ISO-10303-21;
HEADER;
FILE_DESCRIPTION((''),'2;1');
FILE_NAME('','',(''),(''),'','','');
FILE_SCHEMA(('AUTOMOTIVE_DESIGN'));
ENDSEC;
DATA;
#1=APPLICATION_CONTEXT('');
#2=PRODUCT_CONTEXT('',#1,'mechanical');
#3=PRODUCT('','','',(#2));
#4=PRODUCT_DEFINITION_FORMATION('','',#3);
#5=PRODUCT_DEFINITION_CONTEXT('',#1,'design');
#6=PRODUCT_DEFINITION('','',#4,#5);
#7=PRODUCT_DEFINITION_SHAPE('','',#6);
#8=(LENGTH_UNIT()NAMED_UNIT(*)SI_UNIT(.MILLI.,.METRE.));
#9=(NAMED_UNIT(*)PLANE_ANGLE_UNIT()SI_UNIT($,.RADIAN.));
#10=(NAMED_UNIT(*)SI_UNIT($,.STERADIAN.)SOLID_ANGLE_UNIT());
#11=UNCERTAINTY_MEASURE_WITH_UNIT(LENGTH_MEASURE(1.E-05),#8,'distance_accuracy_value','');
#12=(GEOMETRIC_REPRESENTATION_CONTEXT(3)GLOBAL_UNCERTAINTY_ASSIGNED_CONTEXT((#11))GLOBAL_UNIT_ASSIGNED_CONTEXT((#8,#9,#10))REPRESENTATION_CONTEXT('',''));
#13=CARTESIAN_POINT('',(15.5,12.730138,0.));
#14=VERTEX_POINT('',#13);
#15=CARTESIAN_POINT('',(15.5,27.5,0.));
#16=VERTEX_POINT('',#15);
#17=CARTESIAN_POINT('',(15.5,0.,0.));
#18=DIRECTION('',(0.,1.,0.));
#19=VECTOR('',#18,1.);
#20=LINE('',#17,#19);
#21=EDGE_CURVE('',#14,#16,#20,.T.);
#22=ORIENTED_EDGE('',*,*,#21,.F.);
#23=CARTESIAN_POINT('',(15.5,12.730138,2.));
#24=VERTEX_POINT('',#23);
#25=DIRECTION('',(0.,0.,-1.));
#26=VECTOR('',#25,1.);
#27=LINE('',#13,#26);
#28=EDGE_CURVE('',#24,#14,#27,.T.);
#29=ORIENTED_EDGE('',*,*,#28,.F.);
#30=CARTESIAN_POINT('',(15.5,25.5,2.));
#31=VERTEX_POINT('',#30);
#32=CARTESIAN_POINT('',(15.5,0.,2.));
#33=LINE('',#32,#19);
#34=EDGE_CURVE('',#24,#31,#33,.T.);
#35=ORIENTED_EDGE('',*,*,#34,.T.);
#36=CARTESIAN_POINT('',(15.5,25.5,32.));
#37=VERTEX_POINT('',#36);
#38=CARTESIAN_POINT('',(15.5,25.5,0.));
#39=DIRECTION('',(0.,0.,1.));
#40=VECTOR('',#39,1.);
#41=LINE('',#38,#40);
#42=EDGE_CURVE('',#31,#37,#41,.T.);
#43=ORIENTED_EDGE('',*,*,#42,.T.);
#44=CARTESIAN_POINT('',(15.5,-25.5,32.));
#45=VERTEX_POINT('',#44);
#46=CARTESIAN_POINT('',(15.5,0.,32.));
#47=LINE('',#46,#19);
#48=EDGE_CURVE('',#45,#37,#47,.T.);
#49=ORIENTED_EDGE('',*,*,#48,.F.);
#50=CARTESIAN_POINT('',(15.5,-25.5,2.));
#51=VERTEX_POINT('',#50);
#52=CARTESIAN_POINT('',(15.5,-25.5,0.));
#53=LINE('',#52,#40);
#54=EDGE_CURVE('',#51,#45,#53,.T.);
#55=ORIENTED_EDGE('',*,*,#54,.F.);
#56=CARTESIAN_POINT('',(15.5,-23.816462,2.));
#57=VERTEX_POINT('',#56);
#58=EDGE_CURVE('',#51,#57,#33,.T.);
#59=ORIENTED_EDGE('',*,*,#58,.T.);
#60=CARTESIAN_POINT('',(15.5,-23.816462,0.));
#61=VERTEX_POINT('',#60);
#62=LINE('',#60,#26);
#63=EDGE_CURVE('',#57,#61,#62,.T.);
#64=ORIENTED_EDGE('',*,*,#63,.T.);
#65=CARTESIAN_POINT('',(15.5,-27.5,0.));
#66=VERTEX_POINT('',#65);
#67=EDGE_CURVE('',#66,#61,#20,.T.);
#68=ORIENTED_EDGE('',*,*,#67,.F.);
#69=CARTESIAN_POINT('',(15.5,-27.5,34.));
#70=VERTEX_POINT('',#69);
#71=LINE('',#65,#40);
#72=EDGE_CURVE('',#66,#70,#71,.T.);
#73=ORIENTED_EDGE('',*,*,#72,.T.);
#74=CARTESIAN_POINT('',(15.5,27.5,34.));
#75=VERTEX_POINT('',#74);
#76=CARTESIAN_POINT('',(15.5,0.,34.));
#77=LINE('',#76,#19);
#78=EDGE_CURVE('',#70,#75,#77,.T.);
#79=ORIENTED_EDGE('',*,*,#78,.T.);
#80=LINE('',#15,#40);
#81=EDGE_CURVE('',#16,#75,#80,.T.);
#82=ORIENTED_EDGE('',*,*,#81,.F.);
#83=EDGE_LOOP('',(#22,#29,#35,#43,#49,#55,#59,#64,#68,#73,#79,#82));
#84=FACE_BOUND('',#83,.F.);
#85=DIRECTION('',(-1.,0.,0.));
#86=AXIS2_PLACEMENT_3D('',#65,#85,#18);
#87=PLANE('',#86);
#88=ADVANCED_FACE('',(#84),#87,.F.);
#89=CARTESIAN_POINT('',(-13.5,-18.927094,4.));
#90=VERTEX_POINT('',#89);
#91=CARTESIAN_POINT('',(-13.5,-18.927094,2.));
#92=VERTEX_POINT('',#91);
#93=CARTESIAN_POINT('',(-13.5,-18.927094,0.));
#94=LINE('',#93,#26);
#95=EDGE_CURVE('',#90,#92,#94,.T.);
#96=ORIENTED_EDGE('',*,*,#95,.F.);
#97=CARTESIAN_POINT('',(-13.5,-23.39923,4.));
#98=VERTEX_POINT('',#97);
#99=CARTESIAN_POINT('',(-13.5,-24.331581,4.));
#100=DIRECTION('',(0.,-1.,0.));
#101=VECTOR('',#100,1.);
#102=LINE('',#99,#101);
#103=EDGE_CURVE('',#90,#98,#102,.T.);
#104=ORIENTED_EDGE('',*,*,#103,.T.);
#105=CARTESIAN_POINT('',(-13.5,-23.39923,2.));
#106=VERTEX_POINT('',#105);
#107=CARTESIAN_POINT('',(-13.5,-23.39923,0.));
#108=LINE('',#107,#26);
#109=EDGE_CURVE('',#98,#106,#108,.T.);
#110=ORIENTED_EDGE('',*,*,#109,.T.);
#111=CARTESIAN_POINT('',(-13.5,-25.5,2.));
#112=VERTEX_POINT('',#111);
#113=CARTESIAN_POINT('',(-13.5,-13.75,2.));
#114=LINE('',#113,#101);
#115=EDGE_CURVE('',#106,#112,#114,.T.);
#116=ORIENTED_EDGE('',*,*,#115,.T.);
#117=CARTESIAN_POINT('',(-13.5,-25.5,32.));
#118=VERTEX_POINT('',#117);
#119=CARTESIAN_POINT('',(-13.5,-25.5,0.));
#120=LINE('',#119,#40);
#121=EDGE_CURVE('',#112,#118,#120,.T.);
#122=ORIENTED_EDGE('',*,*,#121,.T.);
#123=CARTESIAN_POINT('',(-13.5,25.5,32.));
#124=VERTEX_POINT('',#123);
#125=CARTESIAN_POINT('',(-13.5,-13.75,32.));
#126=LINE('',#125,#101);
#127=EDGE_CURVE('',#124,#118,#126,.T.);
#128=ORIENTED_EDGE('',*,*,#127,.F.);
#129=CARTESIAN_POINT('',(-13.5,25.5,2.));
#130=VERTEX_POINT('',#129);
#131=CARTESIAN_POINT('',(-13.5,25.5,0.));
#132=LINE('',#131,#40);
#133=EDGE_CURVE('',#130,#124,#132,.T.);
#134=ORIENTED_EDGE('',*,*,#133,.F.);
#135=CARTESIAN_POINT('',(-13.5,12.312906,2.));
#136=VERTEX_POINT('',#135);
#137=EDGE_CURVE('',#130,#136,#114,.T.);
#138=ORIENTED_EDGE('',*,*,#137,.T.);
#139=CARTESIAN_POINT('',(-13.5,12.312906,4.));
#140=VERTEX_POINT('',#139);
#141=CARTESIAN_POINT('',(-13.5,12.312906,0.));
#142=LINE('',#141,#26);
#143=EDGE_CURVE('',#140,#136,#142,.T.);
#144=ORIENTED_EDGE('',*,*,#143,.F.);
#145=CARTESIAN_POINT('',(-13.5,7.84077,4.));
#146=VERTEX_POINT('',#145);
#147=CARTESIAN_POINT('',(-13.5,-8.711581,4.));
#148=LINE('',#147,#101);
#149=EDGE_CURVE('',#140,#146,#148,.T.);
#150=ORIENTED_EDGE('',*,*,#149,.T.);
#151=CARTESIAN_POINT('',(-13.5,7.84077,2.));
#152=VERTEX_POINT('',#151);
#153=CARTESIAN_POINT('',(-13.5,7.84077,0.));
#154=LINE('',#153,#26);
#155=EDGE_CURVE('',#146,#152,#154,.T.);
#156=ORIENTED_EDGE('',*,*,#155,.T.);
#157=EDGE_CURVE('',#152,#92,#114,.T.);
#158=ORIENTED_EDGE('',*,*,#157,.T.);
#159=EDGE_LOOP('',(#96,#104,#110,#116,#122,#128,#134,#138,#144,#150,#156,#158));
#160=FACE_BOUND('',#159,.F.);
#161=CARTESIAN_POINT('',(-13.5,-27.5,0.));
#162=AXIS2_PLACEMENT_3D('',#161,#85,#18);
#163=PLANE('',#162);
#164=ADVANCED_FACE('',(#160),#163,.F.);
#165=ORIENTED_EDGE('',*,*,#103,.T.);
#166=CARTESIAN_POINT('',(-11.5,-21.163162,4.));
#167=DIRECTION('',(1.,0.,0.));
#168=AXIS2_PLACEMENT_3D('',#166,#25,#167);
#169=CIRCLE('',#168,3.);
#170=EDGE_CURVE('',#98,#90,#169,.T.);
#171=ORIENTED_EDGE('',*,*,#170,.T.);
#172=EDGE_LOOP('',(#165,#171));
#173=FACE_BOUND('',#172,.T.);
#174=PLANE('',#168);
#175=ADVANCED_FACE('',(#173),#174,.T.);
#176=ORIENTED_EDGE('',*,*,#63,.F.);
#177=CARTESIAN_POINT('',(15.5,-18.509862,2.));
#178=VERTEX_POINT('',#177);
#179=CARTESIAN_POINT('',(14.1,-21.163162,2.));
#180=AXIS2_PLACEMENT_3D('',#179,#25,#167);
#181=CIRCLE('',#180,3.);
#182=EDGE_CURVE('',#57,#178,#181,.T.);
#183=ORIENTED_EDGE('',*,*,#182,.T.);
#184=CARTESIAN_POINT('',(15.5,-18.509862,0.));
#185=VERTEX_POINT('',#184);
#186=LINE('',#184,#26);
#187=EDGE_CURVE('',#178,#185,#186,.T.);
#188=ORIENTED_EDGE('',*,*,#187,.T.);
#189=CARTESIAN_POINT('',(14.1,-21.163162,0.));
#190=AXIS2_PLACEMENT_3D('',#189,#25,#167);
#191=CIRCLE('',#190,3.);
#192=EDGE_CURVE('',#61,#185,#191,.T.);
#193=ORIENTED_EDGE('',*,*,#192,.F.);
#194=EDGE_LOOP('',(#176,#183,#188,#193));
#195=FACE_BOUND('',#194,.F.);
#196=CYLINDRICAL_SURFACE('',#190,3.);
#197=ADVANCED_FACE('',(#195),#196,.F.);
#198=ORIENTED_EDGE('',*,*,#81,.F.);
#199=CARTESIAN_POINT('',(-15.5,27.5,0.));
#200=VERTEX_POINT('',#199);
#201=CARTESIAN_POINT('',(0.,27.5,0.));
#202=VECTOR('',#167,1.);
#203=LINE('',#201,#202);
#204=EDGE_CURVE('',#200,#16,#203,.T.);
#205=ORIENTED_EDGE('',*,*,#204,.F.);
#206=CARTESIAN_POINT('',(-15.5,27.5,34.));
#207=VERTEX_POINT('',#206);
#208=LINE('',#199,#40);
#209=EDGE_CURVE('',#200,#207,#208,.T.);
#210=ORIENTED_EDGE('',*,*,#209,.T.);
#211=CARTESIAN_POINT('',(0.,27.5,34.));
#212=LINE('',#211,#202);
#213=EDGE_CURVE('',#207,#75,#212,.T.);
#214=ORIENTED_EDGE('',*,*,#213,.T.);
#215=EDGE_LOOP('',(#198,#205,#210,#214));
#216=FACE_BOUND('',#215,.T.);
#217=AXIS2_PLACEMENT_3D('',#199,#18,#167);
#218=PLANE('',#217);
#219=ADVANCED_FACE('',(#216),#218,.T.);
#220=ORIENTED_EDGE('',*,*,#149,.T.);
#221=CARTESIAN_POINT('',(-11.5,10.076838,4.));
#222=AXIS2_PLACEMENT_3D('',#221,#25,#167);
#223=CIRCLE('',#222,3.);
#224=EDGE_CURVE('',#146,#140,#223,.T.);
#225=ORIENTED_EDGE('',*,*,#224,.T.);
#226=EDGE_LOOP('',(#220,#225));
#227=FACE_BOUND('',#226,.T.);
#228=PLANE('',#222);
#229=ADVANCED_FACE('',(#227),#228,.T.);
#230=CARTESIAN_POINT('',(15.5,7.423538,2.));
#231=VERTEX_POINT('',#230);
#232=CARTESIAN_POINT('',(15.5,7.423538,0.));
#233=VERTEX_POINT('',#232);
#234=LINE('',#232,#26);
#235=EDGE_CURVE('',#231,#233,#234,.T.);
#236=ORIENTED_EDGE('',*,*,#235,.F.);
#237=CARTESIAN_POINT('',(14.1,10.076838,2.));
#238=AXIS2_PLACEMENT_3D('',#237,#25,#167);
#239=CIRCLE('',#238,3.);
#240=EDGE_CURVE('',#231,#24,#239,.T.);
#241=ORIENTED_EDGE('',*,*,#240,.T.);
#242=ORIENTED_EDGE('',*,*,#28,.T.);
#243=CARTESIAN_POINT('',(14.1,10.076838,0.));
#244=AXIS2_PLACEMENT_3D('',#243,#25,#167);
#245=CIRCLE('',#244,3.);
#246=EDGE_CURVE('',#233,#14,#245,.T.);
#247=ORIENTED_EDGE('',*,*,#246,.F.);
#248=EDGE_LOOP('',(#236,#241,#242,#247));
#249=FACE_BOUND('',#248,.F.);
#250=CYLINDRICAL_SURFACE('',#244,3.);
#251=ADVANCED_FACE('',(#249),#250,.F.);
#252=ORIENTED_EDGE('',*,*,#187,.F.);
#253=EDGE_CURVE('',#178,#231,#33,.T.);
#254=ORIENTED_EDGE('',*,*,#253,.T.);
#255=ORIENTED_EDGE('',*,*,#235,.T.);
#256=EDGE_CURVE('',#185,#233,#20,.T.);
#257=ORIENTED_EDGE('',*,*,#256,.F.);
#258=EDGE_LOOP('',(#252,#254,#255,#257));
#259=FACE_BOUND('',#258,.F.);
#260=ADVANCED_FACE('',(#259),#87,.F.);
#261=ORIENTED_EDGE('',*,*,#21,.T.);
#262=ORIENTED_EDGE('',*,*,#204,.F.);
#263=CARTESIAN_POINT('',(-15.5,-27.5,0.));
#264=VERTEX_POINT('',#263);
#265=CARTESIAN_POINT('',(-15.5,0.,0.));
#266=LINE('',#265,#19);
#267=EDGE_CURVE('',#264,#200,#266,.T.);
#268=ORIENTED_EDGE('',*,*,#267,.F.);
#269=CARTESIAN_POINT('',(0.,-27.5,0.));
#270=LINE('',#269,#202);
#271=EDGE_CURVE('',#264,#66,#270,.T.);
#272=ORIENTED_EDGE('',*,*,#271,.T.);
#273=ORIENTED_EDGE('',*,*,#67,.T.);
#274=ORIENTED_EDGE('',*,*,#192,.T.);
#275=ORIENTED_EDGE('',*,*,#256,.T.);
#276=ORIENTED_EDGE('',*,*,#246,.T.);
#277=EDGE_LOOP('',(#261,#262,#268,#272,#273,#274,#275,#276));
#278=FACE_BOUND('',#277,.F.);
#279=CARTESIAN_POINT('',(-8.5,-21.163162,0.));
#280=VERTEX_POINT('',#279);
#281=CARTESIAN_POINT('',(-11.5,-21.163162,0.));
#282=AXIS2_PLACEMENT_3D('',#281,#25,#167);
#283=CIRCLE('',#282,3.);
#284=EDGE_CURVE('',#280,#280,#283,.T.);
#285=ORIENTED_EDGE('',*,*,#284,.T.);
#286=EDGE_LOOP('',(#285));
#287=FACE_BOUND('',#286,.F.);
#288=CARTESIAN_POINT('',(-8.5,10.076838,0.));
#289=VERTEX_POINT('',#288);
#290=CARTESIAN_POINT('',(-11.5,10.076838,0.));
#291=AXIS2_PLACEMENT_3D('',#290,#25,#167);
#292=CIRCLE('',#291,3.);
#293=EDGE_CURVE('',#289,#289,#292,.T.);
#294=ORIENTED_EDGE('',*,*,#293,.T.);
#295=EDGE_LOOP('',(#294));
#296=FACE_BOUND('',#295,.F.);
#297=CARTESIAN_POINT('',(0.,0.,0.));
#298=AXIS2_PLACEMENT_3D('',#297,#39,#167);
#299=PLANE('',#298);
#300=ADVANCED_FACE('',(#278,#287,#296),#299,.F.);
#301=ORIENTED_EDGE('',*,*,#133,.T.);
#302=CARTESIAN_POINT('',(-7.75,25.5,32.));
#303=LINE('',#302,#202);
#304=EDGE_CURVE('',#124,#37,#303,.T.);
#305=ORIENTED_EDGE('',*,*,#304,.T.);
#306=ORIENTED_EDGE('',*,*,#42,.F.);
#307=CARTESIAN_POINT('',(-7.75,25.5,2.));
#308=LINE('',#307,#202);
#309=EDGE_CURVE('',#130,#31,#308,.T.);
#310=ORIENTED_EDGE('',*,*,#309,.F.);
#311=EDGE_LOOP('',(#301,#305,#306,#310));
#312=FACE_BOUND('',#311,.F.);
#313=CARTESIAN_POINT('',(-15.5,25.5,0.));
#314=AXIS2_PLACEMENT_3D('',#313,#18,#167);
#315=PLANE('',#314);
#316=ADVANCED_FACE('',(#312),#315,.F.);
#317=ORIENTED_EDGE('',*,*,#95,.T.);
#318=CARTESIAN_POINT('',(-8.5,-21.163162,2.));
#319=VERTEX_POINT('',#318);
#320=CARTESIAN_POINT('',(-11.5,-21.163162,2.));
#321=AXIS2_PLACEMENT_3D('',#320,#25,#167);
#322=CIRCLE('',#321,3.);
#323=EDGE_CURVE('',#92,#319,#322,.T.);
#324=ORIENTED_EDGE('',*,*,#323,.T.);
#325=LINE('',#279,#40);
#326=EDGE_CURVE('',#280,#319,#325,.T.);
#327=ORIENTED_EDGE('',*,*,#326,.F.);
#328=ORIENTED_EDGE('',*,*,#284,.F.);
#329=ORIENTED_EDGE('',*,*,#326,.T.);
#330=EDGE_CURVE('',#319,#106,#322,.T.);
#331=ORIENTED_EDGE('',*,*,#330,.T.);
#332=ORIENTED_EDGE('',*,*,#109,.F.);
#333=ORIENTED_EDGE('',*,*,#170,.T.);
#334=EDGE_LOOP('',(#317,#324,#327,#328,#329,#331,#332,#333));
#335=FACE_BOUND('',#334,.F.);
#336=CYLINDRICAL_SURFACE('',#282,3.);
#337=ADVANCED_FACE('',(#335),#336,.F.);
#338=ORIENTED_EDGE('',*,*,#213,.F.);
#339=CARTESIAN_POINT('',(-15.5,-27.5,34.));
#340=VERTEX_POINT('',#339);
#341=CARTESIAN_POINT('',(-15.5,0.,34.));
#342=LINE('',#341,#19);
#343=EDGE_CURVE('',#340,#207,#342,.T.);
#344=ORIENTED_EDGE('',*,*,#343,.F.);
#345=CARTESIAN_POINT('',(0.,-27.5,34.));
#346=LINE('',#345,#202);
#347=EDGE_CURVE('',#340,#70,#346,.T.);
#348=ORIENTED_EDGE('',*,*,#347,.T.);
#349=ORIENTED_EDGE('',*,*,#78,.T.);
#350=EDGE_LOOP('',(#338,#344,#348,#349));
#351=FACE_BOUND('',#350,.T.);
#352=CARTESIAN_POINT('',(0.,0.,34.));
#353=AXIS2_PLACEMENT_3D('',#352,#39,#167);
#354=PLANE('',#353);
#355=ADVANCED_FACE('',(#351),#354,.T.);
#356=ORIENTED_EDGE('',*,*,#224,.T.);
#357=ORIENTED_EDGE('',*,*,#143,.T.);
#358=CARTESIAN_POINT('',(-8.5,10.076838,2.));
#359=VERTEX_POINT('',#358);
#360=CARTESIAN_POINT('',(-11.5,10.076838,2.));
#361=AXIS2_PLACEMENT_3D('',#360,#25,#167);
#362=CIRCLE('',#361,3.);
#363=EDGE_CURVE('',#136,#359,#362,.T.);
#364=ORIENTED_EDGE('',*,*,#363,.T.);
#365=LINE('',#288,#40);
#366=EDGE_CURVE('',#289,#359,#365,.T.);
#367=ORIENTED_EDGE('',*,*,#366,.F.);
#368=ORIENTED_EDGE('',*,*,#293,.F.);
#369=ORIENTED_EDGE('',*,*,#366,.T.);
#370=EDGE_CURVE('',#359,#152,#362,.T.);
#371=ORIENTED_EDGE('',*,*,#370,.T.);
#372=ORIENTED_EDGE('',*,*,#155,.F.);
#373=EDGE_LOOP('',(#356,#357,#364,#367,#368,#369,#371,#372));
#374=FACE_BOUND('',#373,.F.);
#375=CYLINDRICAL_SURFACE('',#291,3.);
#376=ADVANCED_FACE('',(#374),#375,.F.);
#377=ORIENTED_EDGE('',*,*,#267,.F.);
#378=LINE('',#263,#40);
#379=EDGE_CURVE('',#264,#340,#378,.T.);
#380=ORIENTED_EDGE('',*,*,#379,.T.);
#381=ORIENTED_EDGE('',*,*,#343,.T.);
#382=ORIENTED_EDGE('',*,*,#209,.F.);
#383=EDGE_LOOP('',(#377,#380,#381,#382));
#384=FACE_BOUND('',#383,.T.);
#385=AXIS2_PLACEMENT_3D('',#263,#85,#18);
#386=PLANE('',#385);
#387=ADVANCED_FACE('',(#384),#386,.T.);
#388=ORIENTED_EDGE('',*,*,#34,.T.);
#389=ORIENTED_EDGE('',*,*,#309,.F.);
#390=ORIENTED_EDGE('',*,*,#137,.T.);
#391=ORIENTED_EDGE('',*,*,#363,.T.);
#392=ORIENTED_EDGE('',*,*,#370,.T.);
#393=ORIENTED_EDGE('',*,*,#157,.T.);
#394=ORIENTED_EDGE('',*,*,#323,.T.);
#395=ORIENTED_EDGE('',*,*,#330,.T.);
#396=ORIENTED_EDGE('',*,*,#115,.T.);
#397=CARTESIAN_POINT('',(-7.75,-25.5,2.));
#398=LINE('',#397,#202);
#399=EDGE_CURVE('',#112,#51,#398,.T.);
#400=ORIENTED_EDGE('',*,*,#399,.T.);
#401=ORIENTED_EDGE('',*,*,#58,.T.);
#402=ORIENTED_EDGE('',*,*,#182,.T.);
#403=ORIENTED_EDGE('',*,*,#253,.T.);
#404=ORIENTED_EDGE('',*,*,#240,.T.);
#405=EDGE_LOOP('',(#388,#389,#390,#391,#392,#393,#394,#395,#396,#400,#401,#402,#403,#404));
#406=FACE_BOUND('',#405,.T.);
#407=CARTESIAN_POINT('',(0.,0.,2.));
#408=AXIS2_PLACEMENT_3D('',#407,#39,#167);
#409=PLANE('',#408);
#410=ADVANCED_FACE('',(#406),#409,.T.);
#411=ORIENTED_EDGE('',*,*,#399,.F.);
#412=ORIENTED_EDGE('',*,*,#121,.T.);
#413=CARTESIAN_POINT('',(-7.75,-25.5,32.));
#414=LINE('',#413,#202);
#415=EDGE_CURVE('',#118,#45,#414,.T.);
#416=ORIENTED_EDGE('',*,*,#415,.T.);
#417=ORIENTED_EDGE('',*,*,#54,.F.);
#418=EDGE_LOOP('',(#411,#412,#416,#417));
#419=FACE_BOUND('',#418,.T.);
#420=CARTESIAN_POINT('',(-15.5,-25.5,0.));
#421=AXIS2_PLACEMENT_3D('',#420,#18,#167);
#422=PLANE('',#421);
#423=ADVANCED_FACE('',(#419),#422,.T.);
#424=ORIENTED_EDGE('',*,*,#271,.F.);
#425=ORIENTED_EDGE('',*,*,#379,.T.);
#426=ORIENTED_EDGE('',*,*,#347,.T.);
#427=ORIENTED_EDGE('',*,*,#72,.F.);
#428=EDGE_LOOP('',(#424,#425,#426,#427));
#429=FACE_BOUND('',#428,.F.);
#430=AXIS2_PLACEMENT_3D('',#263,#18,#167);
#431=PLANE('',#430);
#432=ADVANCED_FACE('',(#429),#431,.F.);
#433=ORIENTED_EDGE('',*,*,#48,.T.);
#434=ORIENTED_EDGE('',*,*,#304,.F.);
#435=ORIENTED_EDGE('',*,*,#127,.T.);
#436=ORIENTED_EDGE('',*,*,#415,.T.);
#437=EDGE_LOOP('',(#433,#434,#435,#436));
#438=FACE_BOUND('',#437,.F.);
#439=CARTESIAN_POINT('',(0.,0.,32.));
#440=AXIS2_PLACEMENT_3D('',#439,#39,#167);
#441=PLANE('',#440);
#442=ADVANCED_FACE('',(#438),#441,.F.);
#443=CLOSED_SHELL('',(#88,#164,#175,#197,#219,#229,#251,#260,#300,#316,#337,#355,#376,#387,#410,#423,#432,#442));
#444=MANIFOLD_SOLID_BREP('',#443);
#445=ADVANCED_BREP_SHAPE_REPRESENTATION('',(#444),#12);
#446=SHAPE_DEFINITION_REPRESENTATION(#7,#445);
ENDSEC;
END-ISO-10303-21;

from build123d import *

# Parameters (mm, degrees)
F0_W     = 31
F0_H     = 55
F1_DEPTH = 34
F2_T     = -2
F3_R     = 3
F4_DEPTH = 4


with BuildPart() as f1:
    # F0 (on Top) → F1 (new body)
    with BuildSketch(Plane.XY):
        Rectangle(F0_W, F0_H)
    extrude(amount=F1_DEPTH)

    # F2
    f2_openings = [f1.faces().sort_by_distance(p)[0] for p in [
        (15.5, 0, 17),
    ]]
    offset(amount=F2_T, openings=f2_openings)

    # F3 (on face) → F4 (cut)
    with BuildSketch(Plane(origin=(0, 0, 0), x_dir=(1, 0, 0), z_dir=(0, 0, -1))):
        with Locations((-11.5, -10.076838)):
            Circle(F3_R)
        with Locations((-11.5, 21.163162)):
            Circle(F3_R)
        with Locations((14.1, -10.076838)):
            Circle(F3_R)
        with Locations((14.1, 21.163162)):
            Circle(F3_R)
    extrude(amount=-F4_DEPTH, mode=Mode.SUBTRACT)


solid = f1.part
